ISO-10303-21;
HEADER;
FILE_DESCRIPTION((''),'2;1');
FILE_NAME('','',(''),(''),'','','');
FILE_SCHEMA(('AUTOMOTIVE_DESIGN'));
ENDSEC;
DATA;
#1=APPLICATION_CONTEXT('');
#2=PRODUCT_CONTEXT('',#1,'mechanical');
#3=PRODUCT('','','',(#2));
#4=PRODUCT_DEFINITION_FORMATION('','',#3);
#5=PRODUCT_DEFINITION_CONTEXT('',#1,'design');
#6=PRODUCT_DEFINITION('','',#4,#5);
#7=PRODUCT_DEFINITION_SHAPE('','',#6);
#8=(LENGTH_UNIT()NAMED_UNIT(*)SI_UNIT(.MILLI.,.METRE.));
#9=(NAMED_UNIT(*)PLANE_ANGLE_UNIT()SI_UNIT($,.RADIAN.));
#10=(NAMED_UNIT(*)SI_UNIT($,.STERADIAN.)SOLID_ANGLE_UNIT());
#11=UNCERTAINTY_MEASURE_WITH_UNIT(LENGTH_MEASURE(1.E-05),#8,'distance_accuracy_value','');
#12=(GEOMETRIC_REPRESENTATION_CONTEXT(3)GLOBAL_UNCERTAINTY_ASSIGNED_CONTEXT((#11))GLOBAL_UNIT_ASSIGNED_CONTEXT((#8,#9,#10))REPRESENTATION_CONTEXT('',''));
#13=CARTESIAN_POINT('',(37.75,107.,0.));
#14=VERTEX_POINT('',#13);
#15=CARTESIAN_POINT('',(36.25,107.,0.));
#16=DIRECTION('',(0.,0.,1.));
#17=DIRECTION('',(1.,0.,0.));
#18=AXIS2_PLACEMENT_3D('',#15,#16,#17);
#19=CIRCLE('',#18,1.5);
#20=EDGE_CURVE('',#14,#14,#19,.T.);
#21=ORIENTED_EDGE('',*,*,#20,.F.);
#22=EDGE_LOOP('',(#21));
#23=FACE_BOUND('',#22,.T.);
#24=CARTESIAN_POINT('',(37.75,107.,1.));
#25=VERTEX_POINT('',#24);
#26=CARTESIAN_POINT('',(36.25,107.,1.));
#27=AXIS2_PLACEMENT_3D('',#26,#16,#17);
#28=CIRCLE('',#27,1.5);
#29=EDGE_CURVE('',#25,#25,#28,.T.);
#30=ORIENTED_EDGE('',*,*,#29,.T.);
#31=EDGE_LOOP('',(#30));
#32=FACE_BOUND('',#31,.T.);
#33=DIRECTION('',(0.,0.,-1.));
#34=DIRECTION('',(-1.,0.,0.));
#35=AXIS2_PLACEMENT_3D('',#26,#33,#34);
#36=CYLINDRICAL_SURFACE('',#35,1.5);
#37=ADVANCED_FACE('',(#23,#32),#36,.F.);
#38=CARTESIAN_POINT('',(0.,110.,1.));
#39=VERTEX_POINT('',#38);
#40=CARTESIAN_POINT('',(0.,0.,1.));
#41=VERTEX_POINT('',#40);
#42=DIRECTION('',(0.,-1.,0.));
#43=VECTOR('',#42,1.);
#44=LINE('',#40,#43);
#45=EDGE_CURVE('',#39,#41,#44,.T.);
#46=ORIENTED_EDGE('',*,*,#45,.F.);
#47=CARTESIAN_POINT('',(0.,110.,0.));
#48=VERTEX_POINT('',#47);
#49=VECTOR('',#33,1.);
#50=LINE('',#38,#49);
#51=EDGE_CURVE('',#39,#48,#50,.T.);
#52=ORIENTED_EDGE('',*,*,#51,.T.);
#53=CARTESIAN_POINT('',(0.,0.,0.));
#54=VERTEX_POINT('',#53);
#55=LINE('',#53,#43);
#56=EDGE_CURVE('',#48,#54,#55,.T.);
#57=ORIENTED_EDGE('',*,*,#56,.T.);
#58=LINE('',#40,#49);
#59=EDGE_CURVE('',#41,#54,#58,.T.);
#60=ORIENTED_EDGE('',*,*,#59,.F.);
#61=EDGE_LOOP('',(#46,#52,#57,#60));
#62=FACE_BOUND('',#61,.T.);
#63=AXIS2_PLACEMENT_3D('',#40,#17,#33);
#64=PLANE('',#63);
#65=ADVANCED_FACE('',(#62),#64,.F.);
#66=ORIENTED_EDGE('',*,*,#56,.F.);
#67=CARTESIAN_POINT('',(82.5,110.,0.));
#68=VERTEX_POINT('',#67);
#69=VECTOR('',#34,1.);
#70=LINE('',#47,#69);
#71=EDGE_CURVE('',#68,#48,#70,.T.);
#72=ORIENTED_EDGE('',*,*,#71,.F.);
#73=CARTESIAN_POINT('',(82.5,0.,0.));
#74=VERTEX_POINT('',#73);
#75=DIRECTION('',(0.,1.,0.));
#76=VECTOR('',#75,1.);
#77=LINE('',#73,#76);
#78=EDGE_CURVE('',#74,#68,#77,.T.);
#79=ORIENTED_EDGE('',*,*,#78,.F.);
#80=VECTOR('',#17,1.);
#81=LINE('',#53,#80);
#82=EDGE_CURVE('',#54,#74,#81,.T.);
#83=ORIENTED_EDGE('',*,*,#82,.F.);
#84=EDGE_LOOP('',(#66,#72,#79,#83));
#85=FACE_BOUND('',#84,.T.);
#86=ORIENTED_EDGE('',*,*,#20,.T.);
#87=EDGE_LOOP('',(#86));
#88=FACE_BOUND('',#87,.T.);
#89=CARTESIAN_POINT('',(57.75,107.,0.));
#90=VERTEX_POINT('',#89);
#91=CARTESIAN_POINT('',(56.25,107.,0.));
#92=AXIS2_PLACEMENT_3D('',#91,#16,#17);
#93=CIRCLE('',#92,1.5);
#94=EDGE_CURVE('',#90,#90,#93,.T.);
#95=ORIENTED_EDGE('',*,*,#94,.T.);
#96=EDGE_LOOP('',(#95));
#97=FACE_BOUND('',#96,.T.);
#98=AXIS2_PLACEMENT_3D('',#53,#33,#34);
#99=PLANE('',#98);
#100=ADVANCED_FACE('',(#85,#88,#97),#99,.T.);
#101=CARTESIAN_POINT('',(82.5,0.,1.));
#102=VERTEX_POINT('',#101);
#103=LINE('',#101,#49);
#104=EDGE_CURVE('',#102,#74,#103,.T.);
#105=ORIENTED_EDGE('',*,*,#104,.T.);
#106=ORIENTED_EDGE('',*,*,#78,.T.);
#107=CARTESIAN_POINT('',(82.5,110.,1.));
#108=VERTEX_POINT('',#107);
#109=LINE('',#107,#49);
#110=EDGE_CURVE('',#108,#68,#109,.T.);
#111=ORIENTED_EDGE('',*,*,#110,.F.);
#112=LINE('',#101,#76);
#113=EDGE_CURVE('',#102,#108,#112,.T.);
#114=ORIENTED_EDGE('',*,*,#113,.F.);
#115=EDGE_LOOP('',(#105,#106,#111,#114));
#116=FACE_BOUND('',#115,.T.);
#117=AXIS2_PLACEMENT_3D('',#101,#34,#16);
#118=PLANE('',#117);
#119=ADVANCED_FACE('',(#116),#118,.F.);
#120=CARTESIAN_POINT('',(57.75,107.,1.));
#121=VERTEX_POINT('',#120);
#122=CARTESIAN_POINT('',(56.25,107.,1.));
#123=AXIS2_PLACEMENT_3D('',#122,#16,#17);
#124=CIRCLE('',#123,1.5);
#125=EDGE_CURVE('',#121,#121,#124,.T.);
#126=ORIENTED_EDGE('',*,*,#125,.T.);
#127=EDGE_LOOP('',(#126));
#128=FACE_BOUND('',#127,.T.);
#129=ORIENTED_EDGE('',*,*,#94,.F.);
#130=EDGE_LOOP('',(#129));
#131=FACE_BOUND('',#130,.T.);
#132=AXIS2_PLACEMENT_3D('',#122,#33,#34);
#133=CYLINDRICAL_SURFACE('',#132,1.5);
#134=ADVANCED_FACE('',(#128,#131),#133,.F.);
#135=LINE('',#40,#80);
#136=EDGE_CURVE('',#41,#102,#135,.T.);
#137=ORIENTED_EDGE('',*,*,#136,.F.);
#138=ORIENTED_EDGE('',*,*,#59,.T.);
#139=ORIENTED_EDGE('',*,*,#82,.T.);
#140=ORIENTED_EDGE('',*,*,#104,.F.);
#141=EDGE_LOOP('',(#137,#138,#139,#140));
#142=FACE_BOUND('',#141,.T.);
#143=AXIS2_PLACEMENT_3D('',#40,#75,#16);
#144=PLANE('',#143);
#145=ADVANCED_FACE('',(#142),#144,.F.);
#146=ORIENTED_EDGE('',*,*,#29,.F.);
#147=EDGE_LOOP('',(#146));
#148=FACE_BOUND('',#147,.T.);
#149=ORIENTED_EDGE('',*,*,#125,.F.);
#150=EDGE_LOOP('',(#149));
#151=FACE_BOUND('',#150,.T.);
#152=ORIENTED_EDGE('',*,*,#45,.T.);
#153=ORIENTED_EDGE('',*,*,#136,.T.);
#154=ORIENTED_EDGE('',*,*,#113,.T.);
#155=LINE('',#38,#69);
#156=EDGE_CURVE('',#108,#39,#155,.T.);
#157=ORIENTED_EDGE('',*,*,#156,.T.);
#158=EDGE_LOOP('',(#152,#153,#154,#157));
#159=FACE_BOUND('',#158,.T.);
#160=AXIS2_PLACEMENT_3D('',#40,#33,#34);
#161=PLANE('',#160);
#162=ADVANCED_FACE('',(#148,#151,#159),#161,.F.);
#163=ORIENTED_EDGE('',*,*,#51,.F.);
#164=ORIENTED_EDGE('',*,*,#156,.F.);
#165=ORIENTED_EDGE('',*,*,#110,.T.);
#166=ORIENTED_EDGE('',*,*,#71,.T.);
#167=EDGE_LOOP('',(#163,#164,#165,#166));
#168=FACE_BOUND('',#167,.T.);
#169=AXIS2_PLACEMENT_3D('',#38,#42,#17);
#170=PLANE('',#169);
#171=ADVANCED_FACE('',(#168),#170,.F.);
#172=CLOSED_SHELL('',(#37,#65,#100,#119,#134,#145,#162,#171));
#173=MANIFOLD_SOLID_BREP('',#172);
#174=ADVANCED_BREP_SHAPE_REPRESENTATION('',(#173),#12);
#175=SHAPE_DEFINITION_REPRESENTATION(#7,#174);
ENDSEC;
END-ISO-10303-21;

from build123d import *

# Parameters (mm, degrees)
SKETCH_1_W      = 82.5
SKETCH_1_H      = 110
SKETCH_1_R      = 1.5
EXTRUDE_1_DEPTH = 1


with BuildPart() as part:
    # 草图1 → 凸台-拉伸1 (new body)
    with BuildSketch(Plane.XY):
        with Locations((41.25, 55)):
            Rectangle(SKETCH_1_W, SKETCH_1_H)
        with Locations((36.25, 107)):
            Circle(SKETCH_1_R, mode=Mode.SUBTRACT)
        with Locations((56.25, 107)):
            Circle(SKETCH_1_R, mode=Mode.SUBTRACT)
    extrude(amount=EXTRUDE_1_DEPTH)


solid = part.part
